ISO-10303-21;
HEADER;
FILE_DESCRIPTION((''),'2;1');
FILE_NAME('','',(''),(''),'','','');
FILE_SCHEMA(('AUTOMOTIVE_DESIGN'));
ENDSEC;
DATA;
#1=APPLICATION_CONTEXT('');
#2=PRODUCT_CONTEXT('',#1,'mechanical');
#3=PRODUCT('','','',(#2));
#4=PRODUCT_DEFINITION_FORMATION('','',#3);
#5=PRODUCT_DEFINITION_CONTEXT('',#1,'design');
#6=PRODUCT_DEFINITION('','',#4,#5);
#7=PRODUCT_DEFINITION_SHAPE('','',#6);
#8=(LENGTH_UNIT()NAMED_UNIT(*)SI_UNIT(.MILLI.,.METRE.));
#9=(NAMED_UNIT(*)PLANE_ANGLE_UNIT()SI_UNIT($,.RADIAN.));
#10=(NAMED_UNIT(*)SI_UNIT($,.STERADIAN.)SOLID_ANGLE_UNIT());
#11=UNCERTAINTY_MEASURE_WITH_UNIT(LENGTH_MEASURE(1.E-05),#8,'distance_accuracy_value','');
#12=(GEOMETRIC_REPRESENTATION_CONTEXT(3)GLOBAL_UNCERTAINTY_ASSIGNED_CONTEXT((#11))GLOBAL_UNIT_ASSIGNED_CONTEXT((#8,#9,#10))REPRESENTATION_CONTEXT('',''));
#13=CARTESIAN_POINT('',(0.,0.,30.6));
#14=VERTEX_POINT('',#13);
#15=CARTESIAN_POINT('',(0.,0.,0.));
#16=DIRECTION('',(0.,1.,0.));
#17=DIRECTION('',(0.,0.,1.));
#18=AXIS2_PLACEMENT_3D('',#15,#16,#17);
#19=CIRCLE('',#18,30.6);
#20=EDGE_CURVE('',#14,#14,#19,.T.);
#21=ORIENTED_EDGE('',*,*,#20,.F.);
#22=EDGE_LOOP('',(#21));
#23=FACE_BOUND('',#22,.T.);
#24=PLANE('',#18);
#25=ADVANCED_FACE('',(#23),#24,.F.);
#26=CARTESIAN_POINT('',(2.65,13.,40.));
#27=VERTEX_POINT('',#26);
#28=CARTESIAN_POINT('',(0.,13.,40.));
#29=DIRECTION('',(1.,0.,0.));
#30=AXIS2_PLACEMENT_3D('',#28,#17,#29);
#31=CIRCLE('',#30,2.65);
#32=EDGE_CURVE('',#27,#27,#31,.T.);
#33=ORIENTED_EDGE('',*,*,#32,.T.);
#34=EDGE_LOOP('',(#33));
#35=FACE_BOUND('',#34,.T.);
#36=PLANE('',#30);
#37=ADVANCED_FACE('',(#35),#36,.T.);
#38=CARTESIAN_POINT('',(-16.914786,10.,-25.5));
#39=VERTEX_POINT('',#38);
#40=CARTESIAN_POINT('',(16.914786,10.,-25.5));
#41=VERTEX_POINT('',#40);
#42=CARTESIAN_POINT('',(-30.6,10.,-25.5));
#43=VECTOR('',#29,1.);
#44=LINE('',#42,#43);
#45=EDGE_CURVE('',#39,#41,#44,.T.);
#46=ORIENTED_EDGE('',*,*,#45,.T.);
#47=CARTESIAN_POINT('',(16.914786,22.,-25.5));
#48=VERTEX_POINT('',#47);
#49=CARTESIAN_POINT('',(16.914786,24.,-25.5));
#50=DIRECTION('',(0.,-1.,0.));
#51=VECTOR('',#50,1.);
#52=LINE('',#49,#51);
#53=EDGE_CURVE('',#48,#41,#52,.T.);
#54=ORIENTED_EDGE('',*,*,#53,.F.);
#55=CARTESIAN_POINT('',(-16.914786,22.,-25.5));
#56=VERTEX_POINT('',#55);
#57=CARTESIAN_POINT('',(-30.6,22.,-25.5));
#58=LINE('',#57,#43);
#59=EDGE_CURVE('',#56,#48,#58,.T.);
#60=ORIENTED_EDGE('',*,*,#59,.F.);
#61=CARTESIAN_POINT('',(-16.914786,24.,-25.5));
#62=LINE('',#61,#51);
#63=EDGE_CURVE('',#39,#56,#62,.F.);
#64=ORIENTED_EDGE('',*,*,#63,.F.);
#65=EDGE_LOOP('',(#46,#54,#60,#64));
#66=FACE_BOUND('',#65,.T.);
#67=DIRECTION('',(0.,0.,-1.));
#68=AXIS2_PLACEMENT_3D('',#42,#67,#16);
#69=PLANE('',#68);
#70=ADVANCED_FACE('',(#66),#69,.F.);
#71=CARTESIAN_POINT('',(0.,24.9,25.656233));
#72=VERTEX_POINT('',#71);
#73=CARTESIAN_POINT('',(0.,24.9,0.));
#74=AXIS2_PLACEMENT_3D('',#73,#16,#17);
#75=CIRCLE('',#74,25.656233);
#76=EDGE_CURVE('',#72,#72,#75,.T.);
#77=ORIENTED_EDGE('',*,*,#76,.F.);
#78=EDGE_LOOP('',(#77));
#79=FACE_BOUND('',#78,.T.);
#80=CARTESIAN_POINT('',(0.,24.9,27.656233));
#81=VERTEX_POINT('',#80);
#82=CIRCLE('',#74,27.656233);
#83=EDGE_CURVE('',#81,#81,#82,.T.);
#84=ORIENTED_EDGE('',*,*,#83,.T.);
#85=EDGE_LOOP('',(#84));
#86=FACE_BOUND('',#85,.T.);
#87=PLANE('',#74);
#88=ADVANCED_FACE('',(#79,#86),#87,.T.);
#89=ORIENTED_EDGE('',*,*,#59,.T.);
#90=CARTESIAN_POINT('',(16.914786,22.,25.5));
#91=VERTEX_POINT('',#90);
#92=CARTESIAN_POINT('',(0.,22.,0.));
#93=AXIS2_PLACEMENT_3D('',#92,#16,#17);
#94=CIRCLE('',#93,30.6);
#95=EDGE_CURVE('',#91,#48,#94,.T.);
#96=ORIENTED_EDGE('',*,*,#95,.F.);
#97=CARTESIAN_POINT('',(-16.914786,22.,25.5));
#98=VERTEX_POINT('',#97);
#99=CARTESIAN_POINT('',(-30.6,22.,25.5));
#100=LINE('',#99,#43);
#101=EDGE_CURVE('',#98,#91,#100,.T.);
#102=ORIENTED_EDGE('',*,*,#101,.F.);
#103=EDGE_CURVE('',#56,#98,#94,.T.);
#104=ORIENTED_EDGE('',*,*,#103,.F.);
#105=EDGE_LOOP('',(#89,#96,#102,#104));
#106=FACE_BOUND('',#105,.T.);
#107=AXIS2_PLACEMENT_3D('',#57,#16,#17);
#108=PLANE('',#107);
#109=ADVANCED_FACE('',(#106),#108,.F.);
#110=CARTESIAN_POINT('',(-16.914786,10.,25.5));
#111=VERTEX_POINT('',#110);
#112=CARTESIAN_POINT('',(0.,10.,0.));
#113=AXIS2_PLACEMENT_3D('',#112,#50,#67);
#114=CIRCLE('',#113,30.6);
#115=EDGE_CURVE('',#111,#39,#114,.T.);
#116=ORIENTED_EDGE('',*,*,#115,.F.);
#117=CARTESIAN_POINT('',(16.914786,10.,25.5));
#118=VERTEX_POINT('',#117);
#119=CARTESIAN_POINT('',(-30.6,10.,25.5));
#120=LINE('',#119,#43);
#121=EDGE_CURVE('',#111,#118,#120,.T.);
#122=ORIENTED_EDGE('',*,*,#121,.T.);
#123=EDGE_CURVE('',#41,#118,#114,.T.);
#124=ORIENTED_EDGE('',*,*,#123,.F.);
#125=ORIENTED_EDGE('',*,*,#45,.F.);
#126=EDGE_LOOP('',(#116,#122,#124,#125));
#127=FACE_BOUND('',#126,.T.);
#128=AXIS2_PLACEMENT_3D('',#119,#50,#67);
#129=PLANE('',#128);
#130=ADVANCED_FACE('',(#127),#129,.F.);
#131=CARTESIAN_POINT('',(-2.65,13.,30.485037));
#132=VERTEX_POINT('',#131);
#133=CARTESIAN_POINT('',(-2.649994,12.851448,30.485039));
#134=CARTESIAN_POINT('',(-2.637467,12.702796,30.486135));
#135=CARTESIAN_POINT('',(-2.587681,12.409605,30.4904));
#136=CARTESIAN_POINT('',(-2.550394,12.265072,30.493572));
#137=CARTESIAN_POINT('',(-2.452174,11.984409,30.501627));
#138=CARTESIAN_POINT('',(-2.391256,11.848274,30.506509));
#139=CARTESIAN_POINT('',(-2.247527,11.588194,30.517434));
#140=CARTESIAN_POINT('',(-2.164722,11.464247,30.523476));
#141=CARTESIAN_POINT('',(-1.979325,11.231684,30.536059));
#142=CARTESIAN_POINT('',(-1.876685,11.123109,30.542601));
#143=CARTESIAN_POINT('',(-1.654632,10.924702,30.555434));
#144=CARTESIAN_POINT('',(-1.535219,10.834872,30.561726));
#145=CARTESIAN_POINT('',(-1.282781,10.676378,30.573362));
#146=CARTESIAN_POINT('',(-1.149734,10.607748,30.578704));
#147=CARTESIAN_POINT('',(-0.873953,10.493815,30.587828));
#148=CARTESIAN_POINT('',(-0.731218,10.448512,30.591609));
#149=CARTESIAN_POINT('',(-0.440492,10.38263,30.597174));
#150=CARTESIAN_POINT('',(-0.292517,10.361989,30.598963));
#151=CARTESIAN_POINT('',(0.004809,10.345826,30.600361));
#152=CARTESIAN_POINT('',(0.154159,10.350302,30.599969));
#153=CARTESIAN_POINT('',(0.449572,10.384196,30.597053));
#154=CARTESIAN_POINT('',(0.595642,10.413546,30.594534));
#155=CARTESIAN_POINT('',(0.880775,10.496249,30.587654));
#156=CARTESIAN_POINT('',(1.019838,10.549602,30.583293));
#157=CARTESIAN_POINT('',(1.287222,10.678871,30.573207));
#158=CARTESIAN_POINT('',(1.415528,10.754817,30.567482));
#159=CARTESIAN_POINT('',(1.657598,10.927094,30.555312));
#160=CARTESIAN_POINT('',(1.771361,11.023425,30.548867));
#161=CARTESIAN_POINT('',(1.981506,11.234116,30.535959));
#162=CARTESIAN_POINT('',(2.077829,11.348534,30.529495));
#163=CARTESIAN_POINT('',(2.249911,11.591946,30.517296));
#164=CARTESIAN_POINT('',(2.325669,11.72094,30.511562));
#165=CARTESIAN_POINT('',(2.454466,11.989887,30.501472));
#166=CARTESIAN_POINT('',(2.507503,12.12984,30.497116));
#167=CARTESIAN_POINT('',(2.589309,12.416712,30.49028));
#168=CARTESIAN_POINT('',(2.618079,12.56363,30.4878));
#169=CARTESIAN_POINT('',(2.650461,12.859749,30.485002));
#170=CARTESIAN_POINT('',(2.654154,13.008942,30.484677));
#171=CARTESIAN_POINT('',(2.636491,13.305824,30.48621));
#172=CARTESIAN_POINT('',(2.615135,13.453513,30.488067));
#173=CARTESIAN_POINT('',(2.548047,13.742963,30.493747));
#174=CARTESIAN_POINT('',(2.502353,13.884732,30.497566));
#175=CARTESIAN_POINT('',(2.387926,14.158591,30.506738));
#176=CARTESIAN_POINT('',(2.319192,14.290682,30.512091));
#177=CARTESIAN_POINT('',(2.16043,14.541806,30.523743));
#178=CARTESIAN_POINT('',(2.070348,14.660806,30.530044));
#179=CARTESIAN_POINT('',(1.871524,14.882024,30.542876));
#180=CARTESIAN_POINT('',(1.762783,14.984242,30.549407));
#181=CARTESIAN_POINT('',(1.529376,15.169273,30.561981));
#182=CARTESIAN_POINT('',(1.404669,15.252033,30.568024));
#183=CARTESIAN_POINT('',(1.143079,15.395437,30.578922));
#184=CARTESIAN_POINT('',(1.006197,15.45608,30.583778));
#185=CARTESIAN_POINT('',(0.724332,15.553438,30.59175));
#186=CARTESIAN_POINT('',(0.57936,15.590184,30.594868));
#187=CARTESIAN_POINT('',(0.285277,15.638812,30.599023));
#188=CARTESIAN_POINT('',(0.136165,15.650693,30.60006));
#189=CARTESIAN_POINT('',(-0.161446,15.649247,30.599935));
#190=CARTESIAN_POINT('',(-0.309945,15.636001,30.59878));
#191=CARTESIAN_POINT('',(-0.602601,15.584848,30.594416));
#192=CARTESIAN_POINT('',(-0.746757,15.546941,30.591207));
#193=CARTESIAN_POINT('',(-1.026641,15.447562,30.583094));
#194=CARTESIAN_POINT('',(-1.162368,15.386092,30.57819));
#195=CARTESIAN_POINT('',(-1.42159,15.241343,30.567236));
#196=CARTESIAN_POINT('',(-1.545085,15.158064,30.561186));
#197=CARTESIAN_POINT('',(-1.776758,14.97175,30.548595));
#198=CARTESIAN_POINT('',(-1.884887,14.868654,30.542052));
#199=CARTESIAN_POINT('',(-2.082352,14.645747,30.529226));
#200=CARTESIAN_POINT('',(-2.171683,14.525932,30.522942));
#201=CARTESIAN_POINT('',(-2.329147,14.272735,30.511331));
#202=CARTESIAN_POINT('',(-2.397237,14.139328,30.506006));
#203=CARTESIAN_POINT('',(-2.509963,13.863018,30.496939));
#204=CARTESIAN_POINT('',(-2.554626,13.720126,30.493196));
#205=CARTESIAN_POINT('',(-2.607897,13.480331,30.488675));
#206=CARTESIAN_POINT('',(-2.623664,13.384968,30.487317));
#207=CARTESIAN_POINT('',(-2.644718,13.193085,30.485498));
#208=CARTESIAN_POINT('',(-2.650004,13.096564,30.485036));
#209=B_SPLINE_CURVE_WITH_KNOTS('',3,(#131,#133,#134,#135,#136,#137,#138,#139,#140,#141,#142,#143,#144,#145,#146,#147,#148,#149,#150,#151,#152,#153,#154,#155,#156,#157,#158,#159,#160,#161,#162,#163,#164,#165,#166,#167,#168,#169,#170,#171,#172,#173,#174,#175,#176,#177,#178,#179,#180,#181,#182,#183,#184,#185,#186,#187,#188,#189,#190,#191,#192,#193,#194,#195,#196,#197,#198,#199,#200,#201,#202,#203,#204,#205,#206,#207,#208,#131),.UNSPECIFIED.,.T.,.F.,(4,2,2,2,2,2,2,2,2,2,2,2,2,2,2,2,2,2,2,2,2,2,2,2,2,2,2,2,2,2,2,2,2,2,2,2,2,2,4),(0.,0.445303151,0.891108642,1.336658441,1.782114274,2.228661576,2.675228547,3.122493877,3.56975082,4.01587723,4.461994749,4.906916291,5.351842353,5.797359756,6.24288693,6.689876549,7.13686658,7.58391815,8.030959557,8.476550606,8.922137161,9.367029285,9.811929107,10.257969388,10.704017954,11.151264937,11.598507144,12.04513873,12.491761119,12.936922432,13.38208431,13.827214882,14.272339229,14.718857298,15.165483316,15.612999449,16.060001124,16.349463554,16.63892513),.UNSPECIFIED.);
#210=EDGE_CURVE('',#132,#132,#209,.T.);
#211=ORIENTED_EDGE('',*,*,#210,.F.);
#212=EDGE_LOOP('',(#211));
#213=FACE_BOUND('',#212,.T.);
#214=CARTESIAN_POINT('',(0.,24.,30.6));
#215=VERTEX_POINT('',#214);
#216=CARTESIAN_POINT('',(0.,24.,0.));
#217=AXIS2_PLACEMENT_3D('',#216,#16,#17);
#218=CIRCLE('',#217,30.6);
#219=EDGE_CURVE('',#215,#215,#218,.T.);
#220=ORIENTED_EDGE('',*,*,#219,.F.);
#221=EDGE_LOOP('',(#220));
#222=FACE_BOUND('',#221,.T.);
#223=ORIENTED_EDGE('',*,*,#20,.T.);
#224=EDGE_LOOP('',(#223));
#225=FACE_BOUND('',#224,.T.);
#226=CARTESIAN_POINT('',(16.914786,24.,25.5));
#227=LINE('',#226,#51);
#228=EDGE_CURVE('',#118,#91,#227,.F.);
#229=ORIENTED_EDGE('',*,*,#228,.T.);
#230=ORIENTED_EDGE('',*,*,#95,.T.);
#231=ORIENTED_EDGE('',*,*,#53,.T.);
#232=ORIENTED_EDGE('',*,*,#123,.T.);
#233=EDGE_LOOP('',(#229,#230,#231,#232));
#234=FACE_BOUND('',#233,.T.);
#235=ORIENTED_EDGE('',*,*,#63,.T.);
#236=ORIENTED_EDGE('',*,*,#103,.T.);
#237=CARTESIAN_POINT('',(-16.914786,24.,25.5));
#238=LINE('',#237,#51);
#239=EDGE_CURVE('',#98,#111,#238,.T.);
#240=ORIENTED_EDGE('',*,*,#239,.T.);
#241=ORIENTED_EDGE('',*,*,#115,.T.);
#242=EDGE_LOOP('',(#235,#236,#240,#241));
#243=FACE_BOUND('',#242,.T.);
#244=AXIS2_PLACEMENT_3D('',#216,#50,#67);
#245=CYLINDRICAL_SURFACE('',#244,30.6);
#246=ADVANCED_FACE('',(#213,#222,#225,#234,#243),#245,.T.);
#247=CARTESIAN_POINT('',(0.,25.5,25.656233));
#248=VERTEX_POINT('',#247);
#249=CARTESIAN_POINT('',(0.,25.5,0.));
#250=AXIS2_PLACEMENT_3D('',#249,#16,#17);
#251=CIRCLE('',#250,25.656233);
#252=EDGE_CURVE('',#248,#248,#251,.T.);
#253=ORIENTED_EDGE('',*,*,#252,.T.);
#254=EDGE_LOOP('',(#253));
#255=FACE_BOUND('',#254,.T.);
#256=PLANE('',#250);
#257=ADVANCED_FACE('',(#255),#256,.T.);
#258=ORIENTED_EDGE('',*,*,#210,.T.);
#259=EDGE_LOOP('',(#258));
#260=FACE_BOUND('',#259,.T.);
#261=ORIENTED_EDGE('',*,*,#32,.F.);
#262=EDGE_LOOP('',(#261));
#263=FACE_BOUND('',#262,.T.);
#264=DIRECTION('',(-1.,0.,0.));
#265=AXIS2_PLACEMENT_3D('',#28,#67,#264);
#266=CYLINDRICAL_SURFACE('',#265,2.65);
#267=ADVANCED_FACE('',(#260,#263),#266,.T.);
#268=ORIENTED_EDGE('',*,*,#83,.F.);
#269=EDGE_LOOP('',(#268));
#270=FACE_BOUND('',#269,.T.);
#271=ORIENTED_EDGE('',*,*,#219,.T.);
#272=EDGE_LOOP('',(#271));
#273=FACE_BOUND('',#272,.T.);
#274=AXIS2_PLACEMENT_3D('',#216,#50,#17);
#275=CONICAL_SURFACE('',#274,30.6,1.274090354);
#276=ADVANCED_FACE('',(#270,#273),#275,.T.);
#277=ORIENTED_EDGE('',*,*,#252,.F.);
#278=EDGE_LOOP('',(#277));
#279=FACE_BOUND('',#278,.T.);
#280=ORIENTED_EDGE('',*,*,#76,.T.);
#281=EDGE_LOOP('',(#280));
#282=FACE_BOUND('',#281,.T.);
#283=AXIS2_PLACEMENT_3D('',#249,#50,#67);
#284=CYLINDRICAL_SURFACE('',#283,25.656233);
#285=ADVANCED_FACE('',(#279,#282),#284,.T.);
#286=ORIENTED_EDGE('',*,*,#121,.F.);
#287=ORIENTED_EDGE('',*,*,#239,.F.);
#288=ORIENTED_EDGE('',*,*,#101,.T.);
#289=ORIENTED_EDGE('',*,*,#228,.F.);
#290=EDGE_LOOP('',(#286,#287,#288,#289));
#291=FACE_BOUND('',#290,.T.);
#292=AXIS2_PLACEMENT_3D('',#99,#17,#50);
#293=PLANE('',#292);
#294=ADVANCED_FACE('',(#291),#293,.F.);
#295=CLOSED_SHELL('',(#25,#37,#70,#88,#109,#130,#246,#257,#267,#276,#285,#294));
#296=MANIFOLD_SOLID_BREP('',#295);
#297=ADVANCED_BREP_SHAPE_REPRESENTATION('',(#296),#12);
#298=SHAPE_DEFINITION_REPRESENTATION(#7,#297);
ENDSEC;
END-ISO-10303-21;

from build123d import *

# Parameters (mm, degrees)
SKETCH_1_R               = 30.6
EXTRUDE_1_DEPTH          = 24
SKETCH_3_R               = 30.6
EXTRUDE_2_DEPTH          = 0.9
EXTRUDE_2_TAPER          = 73
SKETCH_4_R               = 25.656232643
EXTRUDE_3_DEPTH          = 0.6
SKETCH_5_W               = 51
SKETCH_5_H               = 12
CUT_EXTRUDE_1_DEPTH      = 31.6000001
CUT_EXTRUDE_1_DEPTH_BACK = 31.6000001
SKETCH_6_R               = 2.65
EXTRUDE_4_DEPTH          = 13


with BuildPart() as part:
    # 草图1 → 凸台-拉伸1 (new body)
    with BuildSketch(Plane(origin=(0, 0, 0), x_dir=(1, 0, 0), z_dir=(0, 1, 0))):
        Circle(SKETCH_1_R)
    extrude(amount=EXTRUDE_1_DEPTH)

    # 草图3 → 凸台-拉伸2 (add)
    with BuildSketch(Plane(origin=(0, 24, 0), x_dir=(1, 0, 0), z_dir=(0, 1, 0))):
        Circle(SKETCH_3_R)
    extrude(amount=EXTRUDE_2_DEPTH, taper=EXTRUDE_2_TAPER)

    # 草图4 → 凸台-拉伸3 (add)
    with BuildSketch(Plane(origin=(0, 24.9, 0), x_dir=(1, 0, 0), z_dir=(0, 1, 0))):
        Circle(SKETCH_4_R)
    extrude(amount=EXTRUDE_3_DEPTH)

    # 草图5 → 切除-拉伸1 (cut, two sides)
    with BuildSketch(Plane(origin=(0, 0, 0), x_dir=(0, 0, -1), z_dir=(1, 0, 0))) as cut_extrude_1_sk:
        with Locations((0, 16)):
            Rectangle(SKETCH_5_W, SKETCH_5_H)
    extrude(amount=CUT_EXTRUDE_1_DEPTH, mode=Mode.SUBTRACT)
    extrude(cut_extrude_1_sk.sketch, amount=-CUT_EXTRUDE_1_DEPTH_BACK, mode=Mode.SUBTRACT)

    # 草图6 → 凸台-拉伸4 (add)
    with BuildSketch(Plane.XY.offset(27)):
        with Locations((0, 13)):
            Circle(SKETCH_6_R)
    extrude(amount=EXTRUDE_4_DEPTH)


solid = part.part
